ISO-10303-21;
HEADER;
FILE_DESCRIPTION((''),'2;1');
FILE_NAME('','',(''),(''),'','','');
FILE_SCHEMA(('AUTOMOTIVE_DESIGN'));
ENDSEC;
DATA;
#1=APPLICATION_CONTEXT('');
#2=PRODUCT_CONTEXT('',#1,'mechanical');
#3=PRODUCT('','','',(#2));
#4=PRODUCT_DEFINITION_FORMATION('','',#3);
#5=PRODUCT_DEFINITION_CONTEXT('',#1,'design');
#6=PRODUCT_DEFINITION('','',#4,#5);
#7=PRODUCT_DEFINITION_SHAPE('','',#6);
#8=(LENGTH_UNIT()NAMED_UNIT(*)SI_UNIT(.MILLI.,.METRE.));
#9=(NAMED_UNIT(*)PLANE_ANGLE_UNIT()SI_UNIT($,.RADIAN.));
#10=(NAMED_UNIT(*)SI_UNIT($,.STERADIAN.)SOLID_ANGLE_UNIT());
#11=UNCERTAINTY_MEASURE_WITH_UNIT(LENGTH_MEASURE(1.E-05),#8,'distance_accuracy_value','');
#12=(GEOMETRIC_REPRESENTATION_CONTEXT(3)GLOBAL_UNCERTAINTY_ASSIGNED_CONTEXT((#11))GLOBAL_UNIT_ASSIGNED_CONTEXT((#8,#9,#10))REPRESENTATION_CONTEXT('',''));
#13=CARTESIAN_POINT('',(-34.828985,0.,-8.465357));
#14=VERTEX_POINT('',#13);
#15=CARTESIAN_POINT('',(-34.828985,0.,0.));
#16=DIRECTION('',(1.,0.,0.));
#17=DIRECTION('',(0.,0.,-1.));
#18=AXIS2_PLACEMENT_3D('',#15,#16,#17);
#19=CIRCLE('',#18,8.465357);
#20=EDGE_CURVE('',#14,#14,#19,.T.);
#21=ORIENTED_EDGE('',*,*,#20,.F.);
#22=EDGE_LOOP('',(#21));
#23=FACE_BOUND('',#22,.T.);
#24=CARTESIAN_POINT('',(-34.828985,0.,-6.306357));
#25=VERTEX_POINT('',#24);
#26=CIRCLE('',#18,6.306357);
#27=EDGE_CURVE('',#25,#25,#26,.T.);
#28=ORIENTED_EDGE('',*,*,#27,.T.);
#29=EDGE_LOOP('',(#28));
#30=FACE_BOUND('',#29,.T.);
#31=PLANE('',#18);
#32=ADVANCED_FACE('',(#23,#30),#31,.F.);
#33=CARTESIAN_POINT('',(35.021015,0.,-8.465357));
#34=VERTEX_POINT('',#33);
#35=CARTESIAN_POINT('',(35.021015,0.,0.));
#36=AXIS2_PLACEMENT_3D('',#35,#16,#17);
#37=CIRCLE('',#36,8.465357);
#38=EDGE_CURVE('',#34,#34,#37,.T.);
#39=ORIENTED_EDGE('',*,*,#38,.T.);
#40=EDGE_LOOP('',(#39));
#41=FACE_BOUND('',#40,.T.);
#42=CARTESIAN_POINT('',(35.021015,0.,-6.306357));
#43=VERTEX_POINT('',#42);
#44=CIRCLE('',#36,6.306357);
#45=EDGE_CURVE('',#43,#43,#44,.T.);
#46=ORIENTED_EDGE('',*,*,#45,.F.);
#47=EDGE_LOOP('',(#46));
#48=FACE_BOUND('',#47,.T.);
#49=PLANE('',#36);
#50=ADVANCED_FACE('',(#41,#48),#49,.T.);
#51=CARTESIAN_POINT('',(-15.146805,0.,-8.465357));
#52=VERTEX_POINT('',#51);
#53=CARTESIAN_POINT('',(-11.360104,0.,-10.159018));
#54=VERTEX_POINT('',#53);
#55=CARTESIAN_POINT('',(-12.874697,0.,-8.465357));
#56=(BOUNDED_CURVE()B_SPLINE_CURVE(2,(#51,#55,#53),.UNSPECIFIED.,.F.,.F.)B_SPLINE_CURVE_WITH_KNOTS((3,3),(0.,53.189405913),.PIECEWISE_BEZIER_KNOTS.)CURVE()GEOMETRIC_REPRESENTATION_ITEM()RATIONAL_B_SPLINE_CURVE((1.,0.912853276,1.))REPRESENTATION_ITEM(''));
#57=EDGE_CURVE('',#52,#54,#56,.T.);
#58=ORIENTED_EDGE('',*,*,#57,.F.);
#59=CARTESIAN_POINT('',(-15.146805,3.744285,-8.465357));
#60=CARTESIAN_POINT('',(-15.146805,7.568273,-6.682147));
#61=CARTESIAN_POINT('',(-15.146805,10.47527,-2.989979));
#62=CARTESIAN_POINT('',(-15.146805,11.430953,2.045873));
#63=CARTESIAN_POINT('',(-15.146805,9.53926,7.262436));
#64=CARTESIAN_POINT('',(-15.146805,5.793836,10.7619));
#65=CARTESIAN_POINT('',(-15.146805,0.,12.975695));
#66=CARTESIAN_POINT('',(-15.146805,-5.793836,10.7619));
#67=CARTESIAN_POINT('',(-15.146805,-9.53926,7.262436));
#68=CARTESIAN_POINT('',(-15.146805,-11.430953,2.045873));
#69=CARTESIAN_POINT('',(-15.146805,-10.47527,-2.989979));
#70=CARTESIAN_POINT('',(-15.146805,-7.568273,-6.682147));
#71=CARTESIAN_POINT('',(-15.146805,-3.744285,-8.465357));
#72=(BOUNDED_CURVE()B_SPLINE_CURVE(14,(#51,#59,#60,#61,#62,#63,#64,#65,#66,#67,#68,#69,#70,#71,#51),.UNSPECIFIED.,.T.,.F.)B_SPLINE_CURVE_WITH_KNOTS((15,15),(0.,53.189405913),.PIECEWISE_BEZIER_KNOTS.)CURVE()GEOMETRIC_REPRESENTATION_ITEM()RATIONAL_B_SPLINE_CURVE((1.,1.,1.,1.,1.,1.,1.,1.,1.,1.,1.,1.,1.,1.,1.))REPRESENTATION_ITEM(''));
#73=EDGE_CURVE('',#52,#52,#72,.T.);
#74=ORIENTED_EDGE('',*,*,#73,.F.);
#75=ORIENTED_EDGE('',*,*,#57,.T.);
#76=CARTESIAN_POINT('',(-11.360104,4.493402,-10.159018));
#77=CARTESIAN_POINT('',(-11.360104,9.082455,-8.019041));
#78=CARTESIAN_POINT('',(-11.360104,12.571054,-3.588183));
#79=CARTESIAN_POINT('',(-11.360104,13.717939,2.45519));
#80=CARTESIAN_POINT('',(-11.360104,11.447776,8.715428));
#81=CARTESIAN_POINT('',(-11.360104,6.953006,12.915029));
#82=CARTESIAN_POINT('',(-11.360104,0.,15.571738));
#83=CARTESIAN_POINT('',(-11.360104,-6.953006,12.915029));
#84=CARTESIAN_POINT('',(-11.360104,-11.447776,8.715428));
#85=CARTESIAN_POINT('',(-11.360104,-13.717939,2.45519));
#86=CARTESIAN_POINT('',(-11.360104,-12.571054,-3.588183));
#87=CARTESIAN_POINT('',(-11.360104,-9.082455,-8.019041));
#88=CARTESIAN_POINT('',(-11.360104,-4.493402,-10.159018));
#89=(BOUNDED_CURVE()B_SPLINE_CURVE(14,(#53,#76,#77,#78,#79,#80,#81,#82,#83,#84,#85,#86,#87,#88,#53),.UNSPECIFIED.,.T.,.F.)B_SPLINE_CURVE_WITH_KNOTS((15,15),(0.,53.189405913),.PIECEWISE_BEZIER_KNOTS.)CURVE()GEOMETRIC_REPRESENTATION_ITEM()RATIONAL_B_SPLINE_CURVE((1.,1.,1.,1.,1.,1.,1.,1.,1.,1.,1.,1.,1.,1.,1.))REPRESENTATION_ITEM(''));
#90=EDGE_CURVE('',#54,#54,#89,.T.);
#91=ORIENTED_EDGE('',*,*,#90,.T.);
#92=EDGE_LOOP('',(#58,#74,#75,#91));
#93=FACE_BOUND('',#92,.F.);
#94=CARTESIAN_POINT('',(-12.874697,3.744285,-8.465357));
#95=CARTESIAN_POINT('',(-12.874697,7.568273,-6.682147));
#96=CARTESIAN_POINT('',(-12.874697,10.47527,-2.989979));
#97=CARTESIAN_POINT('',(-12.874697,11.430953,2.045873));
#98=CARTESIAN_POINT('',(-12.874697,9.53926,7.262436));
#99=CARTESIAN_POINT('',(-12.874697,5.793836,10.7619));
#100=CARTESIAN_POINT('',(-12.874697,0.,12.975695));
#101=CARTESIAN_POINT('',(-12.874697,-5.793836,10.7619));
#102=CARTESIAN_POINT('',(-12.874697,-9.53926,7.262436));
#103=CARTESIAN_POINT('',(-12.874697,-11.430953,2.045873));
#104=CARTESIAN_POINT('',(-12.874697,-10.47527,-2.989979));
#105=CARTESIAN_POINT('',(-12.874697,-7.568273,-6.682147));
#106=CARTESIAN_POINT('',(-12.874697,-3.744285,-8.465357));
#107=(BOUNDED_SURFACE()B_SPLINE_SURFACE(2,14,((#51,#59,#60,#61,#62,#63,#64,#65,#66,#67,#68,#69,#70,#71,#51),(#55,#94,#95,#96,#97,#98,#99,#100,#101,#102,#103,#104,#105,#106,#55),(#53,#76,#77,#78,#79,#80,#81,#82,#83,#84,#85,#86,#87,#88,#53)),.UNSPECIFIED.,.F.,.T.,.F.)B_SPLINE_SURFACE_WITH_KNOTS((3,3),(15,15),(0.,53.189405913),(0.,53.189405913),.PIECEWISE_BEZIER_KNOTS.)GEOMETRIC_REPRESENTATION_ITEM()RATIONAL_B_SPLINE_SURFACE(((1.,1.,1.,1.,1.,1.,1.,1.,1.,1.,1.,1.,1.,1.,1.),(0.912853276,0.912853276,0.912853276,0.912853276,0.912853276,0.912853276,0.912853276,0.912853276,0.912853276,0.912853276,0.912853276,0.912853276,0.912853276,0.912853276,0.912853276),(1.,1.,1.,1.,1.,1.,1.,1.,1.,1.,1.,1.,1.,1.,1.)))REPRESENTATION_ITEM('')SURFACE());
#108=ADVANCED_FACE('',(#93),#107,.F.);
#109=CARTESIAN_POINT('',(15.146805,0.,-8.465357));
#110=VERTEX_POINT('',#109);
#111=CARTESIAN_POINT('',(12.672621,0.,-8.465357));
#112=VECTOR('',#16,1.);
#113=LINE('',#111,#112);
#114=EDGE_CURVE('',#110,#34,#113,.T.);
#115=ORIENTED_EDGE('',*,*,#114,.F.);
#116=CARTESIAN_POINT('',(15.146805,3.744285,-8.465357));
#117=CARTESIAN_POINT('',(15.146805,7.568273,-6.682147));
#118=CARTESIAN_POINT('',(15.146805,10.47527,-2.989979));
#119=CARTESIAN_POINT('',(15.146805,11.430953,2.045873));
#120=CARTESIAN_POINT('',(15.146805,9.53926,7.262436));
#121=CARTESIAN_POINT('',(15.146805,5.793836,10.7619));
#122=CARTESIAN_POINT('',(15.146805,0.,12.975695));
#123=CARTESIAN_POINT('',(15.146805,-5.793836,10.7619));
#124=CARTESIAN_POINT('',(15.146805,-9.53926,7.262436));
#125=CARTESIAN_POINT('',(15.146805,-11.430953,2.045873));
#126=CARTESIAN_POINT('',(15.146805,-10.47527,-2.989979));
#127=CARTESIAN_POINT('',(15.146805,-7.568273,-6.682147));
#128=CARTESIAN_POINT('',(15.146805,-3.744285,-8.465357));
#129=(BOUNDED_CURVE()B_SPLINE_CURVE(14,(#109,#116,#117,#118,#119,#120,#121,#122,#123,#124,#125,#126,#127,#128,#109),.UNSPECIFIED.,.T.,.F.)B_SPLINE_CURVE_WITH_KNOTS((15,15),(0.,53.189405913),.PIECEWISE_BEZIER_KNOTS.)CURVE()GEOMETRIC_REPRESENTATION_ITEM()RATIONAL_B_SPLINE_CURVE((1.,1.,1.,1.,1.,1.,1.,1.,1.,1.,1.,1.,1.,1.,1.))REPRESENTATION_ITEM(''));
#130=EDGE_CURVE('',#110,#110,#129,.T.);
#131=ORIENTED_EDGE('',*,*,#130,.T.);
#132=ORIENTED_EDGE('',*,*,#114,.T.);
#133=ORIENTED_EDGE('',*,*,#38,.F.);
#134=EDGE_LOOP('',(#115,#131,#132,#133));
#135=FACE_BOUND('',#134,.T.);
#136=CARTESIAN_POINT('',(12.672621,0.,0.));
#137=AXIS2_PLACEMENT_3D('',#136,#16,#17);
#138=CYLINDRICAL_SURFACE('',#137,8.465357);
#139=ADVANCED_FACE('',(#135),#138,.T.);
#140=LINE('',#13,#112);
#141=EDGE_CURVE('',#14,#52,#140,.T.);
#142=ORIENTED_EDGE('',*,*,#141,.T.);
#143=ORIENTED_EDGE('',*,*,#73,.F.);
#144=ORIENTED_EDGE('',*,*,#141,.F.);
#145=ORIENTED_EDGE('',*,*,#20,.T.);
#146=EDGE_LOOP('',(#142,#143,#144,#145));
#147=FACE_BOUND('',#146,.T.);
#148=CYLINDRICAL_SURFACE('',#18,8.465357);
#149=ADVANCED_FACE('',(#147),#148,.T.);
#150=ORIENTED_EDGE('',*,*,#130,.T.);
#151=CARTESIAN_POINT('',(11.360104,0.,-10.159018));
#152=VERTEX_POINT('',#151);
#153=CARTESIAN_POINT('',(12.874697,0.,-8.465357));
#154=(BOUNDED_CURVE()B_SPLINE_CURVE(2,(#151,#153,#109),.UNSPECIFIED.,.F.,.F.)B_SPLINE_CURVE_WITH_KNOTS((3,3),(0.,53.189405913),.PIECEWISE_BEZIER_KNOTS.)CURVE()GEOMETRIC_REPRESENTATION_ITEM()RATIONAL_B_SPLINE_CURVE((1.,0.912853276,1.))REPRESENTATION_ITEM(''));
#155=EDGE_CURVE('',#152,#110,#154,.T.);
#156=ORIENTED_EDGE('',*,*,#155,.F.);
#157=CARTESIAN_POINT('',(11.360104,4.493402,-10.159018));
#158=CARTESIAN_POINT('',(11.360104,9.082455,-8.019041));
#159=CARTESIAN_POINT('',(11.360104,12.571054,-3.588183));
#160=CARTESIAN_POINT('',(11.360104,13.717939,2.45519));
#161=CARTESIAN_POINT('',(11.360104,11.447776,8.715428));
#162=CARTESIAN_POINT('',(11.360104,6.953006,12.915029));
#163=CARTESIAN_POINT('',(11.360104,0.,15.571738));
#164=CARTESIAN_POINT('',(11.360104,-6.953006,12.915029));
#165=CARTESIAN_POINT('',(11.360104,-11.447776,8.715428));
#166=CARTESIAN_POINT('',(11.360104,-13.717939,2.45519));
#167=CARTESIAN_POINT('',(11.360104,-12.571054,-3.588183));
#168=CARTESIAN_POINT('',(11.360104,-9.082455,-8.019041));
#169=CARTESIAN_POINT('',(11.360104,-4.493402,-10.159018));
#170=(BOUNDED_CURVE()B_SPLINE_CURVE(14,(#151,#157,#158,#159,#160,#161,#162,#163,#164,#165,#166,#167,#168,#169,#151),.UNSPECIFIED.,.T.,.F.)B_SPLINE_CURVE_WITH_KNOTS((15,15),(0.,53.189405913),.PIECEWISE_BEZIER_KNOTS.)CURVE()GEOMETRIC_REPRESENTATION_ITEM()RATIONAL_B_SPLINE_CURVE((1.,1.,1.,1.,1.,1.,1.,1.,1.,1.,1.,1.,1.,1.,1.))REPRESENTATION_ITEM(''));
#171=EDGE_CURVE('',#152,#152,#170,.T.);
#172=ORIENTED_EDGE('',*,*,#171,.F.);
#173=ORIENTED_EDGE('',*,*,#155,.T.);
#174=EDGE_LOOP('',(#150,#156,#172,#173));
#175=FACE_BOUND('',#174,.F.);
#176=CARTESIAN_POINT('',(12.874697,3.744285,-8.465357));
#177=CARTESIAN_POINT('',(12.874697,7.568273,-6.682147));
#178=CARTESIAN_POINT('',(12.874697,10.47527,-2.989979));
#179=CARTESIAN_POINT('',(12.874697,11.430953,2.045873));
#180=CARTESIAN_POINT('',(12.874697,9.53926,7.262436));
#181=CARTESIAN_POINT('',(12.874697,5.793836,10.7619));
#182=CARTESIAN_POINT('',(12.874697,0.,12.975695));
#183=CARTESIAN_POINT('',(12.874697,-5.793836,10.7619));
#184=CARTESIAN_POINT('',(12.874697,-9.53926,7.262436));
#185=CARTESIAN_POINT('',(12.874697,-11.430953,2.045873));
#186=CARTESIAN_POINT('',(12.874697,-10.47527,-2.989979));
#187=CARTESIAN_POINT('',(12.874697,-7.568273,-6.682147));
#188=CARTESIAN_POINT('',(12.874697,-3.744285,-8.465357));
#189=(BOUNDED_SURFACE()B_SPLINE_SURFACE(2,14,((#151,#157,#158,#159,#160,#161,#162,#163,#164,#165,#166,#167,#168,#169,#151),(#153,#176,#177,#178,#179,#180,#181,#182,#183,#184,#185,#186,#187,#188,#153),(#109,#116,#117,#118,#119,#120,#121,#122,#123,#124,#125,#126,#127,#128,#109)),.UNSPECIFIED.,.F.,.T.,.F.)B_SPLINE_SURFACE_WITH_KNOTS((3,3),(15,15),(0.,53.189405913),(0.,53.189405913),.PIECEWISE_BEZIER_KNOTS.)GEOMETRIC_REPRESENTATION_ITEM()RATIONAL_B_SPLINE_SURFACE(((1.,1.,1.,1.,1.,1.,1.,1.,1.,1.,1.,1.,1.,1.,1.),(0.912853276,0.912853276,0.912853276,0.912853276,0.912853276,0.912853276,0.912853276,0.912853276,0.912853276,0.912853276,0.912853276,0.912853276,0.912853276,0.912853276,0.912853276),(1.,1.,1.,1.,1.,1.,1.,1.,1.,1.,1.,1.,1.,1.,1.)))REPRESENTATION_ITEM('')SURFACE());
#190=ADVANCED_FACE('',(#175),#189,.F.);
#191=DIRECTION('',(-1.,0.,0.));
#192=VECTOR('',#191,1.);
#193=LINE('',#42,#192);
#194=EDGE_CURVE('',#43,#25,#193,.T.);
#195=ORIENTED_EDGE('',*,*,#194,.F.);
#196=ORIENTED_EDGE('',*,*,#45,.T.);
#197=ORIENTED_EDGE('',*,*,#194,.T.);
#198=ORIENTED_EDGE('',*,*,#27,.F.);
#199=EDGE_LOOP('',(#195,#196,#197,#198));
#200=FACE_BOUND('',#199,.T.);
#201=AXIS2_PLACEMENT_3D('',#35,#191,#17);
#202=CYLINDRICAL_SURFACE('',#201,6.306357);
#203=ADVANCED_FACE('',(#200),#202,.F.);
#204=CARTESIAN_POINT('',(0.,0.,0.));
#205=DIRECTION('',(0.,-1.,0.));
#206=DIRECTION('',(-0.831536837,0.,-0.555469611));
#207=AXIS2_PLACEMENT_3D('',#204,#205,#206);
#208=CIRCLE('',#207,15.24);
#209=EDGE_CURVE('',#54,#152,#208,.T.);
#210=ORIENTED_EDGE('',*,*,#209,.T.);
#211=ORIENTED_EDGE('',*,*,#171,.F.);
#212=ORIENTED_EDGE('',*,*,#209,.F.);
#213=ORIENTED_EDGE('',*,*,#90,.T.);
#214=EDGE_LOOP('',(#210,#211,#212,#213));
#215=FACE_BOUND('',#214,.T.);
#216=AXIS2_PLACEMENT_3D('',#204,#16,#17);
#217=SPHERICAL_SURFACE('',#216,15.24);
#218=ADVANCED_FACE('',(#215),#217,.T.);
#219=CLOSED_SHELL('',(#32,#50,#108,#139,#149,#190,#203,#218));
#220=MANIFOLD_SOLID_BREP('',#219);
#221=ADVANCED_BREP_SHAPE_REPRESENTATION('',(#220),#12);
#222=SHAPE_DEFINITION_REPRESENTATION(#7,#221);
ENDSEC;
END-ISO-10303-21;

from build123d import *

# Parameters (mm, degrees)
F2_R = 5.08


with BuildPart() as f1:
    # F0 (on Front) → F1 (revolve)
    with BuildSketch(Plane.XZ):
        with BuildLine():
            Line((13.8739851165, -6.3063568712), (0.0960148835, -6.3063568712))
            Line((0.0960148835, -6.3063568712), (-13.8739851165, -6.3063568712))
            ThreePointArc((-13.8739851165, -6.3063568712), (-13.3171280531, -7.4102429392), (-12.6726213959, -8.4653568711))
            Line((-12.6726213959, -8.4653568712), (12.6726213959, -8.4653568712))
            ThreePointArc((12.6726213959, -8.4653568711), (13.3171280531, -7.4102429392), (13.8739851165, -6.3063568712))
        make_face()
        with BuildLine():
            ThreePointArc((-12.6726213959, -8.4653568711), (-13.3171280531, -7.4102429392), (-13.8739851165, -6.3063568712))
            Line((-13.8739851165, -6.3063568712), (-34.8289851165, -6.3063568712))
            Line((-34.8289851165, -6.3063568712), (-34.8289851165, -8.4653568712))
            Line((-34.8289851165, -8.4653568712), (-12.6726213959, -8.4653568712))
        make_face()
        with BuildLine():
            Line((35.0210148835, -6.3063568712), (13.8739851165, -6.3063568712))
            ThreePointArc((13.8739851165, -6.3063568712), (13.3171280531, -7.4102429392), (12.6726213959, -8.4653568711))
            Line((12.6726213959, -8.4653568712), (35.0210148835, -8.4653568712))
            Line((35.0210148835, -8.4653568712), (35.0210148835, -6.3063568712))
        make_face()
        with BuildLine():
            ThreePointArc((-12.6726213959, -8.4653568711), (0, -15.24), (12.6726213959, -8.4653568711))
            Line((12.6726213959, -8.4653568712), (-12.6726213959, -8.4653568712))
        make_face()
    revolve(axis=Axis((0, 0, 0), (1, 0, 0)))

    # F2
    f2_edges = [f1.edges().sort_by_distance(p)[0] for p in [
        (-12.672621, 0, 8.465357),
        (-23.750803, 0, -8.465357),
        (0, 0, -15.24),
        (12.672621, 0, 8.465357),
        (23.846818, 0, -8.465357),
    ]]
    fillet(f2_edges, radius=F2_R)


solid = f1.part
